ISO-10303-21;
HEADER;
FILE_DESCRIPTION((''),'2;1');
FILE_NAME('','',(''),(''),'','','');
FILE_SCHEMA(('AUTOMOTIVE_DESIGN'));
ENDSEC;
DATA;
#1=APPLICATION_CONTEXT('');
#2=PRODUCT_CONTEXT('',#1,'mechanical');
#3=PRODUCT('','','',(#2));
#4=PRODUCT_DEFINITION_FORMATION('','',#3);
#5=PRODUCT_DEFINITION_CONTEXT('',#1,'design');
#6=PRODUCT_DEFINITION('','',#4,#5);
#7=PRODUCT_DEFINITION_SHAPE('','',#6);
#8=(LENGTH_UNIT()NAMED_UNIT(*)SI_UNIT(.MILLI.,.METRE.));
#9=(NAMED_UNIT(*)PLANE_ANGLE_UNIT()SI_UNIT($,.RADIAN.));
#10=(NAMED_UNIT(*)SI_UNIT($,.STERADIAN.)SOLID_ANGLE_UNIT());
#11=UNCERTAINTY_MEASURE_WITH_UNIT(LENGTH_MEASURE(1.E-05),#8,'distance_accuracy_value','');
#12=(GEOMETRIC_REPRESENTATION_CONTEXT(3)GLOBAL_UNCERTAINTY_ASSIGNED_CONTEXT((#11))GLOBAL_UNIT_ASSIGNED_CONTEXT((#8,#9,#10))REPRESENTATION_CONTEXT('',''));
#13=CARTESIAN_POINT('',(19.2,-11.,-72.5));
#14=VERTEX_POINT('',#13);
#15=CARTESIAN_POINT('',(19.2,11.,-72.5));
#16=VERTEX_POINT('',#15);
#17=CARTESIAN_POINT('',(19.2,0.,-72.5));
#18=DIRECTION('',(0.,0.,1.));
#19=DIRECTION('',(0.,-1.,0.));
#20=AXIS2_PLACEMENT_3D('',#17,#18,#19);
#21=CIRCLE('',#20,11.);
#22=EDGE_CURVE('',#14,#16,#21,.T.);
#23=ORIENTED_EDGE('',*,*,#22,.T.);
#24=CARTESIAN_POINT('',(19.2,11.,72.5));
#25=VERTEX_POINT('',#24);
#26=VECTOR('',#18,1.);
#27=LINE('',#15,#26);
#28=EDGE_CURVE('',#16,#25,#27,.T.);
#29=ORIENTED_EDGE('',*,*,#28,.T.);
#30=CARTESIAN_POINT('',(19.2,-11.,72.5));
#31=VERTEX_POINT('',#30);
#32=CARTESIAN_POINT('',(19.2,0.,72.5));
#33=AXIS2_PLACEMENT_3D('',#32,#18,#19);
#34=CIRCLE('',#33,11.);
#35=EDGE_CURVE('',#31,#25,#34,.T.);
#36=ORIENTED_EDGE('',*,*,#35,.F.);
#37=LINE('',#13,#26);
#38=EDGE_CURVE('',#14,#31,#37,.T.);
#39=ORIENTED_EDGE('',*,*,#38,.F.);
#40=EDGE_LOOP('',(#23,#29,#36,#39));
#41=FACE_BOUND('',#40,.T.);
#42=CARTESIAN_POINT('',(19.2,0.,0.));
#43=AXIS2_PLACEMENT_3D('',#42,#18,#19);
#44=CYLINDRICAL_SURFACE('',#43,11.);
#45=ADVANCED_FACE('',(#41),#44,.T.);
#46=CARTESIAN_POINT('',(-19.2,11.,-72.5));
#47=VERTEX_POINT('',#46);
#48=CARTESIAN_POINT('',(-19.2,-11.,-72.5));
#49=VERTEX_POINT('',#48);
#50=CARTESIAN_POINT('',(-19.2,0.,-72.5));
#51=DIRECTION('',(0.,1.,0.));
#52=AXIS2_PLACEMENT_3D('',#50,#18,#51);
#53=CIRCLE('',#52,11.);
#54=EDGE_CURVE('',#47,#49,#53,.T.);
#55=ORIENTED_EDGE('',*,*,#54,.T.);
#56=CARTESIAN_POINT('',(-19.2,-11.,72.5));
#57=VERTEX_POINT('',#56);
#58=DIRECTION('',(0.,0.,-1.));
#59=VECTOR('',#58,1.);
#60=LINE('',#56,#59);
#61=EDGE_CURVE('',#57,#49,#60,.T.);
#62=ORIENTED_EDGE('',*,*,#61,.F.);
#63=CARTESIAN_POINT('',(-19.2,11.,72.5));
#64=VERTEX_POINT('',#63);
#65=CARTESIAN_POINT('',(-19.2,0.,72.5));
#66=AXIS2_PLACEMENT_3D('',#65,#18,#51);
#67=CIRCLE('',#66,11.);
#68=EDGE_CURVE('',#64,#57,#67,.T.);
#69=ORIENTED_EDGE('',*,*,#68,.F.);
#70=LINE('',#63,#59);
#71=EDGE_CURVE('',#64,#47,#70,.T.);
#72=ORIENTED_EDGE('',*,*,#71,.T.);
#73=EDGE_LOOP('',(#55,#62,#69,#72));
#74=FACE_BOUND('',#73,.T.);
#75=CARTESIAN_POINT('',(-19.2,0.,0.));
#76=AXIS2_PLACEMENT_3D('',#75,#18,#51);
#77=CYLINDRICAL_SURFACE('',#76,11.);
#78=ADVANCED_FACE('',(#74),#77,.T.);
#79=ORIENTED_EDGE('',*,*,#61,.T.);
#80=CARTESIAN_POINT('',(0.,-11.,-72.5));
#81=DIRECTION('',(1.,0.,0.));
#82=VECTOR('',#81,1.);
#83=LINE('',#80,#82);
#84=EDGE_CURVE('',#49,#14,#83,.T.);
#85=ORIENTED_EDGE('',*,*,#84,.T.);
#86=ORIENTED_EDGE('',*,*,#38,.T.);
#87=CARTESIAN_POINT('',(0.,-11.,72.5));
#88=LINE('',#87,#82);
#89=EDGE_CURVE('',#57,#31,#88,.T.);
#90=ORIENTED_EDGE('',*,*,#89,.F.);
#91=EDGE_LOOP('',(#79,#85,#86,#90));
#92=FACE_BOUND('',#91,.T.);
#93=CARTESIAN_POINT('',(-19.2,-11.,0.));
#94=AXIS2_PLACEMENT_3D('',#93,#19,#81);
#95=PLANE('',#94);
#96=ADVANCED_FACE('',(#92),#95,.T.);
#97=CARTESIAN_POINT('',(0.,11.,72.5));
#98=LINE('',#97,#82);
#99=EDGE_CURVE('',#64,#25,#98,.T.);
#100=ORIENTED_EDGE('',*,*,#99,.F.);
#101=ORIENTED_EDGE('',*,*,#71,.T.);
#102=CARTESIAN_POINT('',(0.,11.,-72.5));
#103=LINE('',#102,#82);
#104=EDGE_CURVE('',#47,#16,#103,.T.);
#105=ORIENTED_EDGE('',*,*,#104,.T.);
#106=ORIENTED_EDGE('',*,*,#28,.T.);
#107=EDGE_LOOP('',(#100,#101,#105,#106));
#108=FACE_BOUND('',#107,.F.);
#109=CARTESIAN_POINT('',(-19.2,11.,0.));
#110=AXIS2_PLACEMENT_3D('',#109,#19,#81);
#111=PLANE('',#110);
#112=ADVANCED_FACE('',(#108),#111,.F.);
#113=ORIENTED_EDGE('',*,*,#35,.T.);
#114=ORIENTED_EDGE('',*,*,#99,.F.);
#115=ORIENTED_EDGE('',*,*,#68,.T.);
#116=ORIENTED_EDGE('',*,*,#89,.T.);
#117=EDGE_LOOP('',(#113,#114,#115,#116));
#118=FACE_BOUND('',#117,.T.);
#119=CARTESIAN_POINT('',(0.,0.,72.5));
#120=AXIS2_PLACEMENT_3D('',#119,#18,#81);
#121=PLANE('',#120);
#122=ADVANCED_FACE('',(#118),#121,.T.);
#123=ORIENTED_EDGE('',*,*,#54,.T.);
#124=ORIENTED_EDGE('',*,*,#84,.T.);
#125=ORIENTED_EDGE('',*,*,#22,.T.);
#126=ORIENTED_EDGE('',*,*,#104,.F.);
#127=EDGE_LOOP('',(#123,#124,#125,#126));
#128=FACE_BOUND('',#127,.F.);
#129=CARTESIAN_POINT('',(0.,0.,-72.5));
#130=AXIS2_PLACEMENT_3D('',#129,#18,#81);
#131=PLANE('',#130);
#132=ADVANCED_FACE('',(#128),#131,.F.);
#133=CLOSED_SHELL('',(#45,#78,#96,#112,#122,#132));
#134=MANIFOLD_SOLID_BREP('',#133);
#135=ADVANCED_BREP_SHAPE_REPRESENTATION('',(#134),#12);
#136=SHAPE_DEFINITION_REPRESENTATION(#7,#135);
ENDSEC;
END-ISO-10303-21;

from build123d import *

# Parameters (mm, degrees)
F0_W     = 38.4
F0_H     = 22
F1_DEPTH = 72.5


with BuildPart() as f1:
    # F0 (on Top) → F1 (new body, symmetric)
    with BuildSketch(Plane.XY):
        Rectangle(F0_W, F0_H)
        with BuildLine():
            Line((-19.2, -11), (-19.2, 11))
            ThreePointArc((-19.2, 11), (-30.2, 0), (-19.2, -11))
        make_face()
        with BuildLine():
            ThreePointArc((19.2, -11), (30.2, 0), (19.2, 11))
            Line((19.2, 11), (19.2, -11))
        make_face()
    extrude(amount=F1_DEPTH, both=True)


solid = f1.part
